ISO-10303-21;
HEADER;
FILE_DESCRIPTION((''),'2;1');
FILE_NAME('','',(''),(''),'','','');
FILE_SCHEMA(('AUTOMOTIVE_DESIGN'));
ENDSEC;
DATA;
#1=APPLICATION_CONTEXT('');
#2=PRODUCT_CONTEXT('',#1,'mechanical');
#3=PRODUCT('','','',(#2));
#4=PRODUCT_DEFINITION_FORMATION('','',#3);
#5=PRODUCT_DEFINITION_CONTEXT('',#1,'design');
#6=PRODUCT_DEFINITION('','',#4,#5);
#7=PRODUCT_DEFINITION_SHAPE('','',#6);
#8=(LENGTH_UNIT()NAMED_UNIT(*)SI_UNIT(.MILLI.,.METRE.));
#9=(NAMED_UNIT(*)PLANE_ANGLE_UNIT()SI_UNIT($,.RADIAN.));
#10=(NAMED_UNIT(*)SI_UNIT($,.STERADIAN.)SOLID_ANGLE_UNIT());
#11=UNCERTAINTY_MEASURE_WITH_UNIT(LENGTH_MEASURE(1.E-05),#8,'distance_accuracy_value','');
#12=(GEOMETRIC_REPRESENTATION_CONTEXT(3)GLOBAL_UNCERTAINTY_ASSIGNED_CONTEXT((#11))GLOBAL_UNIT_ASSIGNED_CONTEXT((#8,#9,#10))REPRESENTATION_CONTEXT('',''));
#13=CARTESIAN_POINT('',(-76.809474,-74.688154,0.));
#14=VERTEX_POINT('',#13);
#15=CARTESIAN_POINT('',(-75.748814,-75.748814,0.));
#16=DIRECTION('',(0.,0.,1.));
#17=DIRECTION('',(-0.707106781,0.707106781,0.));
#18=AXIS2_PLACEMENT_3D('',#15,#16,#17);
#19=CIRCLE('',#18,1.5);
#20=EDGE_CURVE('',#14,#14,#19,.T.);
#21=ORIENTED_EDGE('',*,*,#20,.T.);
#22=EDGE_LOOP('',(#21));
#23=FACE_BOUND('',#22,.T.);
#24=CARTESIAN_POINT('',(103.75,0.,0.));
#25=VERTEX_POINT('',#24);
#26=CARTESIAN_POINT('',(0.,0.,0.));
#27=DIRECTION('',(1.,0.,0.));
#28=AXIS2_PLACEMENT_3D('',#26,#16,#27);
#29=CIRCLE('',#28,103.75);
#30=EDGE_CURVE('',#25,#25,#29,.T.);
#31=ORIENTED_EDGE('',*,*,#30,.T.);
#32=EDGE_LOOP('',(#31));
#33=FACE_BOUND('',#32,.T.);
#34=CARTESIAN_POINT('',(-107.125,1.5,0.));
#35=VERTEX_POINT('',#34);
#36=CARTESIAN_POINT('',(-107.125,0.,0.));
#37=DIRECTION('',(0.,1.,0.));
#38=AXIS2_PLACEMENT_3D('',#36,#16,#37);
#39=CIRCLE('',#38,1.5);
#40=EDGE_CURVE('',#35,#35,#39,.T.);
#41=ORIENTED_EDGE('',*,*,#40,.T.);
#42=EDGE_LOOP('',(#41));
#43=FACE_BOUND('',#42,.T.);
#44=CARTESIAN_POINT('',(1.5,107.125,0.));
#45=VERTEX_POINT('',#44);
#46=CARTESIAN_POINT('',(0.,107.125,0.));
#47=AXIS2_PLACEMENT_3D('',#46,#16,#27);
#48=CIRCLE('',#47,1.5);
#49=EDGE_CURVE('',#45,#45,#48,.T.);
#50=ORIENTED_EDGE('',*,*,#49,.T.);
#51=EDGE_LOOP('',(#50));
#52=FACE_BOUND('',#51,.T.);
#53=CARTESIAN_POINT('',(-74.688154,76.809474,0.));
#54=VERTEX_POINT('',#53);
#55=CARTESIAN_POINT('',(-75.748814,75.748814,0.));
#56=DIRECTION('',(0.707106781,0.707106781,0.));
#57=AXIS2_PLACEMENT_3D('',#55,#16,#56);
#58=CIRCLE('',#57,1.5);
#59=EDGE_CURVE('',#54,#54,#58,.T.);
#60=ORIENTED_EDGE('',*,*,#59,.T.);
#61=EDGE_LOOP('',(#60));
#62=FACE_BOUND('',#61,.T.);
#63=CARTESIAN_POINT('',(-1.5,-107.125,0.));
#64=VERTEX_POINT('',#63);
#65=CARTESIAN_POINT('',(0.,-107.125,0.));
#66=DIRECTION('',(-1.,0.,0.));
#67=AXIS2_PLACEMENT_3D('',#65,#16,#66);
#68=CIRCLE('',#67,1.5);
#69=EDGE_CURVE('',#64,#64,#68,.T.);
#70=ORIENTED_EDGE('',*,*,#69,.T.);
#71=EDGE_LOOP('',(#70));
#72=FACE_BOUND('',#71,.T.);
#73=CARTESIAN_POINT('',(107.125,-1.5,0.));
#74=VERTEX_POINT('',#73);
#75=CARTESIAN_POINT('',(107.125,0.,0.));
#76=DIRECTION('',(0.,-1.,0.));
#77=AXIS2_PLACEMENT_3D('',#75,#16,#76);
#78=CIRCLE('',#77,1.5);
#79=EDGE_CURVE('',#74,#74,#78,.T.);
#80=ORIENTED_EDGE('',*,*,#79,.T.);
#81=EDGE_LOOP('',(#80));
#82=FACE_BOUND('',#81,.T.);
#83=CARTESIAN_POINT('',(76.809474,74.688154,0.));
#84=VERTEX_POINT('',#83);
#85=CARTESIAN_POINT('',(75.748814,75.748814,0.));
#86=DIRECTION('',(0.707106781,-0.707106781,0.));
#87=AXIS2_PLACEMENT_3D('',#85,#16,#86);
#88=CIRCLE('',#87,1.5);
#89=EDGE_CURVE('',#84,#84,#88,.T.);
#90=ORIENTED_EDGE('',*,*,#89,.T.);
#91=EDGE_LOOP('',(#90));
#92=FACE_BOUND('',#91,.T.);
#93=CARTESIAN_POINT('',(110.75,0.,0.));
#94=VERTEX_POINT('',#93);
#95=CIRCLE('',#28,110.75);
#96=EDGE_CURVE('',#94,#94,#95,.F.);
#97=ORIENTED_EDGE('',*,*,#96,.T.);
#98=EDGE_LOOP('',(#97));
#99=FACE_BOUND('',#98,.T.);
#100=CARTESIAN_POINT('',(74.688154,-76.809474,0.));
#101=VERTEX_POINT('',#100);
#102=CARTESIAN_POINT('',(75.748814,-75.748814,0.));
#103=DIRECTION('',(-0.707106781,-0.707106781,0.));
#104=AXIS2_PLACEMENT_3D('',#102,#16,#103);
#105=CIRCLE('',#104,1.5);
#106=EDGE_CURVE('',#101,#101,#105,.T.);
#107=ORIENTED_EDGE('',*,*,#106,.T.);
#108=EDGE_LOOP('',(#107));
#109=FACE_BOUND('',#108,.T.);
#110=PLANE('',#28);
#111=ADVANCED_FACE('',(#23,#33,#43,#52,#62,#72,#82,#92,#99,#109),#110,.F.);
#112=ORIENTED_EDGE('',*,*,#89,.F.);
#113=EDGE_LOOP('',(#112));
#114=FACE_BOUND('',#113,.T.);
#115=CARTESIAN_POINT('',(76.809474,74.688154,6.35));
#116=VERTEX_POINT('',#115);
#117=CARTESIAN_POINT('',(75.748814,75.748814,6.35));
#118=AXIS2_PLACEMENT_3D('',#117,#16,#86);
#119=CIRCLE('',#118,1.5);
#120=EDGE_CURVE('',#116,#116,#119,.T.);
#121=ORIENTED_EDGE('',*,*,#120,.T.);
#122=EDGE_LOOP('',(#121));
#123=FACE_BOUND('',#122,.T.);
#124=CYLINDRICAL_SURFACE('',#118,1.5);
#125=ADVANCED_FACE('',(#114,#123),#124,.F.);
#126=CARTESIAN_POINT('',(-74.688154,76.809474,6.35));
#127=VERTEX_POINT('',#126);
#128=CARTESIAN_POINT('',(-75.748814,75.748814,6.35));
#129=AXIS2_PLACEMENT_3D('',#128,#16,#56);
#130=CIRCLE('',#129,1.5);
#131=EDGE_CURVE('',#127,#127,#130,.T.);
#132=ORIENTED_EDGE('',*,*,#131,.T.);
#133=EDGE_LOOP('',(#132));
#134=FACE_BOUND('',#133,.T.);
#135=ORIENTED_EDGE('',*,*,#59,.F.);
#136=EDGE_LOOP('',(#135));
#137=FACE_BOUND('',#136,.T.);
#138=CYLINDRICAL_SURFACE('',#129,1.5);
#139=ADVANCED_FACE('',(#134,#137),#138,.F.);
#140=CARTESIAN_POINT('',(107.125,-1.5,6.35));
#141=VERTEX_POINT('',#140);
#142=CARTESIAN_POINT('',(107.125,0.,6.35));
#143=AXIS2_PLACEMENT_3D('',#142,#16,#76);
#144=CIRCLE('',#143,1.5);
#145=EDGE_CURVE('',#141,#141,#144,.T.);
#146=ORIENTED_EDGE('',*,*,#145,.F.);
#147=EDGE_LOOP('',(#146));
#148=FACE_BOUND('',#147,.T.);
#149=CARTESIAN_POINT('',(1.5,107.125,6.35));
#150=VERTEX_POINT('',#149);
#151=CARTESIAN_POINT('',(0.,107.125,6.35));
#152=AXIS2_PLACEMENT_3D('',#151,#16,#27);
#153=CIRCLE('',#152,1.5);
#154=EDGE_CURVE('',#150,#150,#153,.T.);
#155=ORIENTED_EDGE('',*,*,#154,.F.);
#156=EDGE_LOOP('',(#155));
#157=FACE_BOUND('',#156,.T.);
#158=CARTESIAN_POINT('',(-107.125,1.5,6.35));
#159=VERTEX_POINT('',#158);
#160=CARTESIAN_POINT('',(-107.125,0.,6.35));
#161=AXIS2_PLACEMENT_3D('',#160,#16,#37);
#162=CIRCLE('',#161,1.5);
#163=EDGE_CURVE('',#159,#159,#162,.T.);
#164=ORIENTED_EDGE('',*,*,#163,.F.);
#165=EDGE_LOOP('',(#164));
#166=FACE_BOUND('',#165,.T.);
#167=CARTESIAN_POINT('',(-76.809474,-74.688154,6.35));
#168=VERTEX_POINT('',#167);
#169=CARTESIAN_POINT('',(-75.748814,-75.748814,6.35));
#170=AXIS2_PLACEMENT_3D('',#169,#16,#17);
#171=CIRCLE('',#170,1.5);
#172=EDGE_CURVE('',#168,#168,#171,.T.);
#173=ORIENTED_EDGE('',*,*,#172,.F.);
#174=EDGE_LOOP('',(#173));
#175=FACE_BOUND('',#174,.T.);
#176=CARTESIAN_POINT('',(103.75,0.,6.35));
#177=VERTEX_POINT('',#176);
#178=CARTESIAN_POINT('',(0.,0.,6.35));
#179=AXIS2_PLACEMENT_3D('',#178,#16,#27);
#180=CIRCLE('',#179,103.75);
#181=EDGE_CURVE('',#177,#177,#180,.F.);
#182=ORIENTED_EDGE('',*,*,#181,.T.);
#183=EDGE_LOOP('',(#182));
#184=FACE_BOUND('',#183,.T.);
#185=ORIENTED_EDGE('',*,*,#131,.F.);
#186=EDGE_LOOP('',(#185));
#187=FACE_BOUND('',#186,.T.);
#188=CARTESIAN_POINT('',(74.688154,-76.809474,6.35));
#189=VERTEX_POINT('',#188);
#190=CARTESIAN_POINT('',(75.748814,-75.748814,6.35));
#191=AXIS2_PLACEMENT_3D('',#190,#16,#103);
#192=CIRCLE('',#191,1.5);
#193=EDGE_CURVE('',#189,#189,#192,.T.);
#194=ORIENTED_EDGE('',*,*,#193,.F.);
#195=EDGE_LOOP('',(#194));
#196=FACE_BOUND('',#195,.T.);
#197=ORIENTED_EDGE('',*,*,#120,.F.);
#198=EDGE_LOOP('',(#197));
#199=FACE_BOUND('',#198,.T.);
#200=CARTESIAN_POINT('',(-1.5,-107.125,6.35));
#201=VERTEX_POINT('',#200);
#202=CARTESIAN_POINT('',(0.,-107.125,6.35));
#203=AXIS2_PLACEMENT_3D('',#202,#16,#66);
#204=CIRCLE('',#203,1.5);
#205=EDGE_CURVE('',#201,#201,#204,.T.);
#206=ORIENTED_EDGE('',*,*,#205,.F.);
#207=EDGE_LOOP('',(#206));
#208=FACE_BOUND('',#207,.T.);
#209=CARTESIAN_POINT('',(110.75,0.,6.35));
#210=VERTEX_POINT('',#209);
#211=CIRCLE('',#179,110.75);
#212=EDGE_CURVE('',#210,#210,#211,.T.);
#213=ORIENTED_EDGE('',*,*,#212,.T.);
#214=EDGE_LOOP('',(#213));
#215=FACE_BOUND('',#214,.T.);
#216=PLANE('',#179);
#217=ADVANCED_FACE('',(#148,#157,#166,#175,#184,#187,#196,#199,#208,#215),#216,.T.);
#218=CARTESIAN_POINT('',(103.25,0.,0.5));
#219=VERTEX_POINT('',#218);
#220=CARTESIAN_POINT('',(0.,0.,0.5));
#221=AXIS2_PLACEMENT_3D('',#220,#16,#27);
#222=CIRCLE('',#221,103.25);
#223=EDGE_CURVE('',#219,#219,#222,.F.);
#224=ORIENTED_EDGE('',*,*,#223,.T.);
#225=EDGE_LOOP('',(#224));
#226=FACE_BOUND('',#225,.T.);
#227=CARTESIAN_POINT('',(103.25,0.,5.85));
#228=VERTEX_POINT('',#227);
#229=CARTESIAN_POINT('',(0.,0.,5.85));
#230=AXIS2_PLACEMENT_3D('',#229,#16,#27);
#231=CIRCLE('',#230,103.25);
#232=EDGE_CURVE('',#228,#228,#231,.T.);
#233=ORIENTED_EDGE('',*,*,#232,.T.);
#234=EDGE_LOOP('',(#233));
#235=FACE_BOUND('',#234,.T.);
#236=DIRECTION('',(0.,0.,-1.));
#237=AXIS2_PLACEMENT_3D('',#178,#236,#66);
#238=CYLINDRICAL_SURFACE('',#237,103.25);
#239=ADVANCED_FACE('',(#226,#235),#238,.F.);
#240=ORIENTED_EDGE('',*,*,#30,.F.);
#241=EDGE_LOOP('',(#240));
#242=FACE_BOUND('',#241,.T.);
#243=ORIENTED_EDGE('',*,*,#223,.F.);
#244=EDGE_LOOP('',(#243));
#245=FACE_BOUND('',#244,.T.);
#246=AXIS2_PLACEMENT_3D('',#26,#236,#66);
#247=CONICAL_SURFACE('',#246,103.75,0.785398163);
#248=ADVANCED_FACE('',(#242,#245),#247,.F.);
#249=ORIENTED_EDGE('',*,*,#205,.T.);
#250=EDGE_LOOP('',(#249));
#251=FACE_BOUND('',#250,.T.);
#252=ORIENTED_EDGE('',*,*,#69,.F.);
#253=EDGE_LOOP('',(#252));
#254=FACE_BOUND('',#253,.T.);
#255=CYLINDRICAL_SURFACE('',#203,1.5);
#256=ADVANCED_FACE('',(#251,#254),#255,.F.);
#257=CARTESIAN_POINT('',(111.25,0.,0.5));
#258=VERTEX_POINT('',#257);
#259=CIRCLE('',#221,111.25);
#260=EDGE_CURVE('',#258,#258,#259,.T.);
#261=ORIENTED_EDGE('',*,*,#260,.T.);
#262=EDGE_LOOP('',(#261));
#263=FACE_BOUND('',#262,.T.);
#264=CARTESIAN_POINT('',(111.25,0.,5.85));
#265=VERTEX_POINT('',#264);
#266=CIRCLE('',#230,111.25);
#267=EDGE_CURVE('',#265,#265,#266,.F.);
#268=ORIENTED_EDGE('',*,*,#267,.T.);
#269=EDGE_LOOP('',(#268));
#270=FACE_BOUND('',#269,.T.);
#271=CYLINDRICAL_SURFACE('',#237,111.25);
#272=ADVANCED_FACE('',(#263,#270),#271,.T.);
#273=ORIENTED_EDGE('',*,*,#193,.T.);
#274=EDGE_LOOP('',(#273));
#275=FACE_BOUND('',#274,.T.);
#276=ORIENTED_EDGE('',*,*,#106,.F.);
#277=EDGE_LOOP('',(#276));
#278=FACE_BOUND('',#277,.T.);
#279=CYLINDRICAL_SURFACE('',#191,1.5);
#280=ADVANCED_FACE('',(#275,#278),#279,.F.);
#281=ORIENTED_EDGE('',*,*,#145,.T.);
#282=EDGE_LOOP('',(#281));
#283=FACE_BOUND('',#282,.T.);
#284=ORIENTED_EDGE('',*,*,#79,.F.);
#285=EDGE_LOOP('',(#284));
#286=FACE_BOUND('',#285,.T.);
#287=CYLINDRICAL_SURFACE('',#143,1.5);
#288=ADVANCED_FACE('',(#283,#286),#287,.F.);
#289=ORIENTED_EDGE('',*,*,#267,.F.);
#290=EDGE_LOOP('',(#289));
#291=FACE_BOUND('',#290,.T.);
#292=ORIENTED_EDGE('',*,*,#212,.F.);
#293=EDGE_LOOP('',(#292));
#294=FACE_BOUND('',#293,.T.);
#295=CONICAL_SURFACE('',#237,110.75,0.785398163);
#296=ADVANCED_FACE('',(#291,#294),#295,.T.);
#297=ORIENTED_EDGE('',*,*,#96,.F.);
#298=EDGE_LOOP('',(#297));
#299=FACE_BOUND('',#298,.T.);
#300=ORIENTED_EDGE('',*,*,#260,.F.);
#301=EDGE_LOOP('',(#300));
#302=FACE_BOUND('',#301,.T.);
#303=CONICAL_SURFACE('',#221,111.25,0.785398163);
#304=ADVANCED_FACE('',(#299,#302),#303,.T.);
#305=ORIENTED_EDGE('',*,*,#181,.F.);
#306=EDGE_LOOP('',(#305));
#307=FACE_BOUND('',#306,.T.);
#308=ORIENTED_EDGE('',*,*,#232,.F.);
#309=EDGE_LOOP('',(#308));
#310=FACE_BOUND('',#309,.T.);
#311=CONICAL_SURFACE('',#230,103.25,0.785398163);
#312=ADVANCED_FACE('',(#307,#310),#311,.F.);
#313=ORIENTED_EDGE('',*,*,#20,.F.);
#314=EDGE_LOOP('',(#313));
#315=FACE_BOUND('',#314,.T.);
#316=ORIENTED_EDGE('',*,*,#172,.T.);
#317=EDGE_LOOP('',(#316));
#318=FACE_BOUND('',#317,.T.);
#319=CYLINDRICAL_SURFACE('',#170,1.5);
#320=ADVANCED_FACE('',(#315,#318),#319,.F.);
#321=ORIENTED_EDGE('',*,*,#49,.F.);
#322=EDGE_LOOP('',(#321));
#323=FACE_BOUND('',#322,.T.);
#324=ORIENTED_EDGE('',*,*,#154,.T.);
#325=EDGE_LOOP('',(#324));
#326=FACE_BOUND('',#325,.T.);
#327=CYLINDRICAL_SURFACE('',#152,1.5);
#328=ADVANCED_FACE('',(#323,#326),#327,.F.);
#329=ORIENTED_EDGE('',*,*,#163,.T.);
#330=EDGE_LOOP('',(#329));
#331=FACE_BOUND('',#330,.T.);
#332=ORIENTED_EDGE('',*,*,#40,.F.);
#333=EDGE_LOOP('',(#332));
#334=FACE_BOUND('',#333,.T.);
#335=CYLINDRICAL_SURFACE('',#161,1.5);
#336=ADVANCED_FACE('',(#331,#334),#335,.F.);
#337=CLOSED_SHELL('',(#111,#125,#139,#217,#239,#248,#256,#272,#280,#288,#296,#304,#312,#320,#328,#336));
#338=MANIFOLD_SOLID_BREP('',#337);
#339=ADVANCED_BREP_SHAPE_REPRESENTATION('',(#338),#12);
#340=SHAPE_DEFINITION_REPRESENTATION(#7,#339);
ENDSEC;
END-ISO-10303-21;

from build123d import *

# Parameters (mm, degrees)
SKETCH1_R             = 111.25
SKETCH1_R_2           = 103.25
EXTRUDE1_DEPTH        = 6.35
M3X0_5_TAPPED_HOLE1_D = 3
CIRPATTERN1_COUNT     = 8
CHAMFER1_SIZE         = 0.5


with BuildPart() as part:
    # Sketch1 → Extrude1 (new body)
    with BuildSketch(Plane.XY):
        Circle(SKETCH1_R)
        Circle(SKETCH1_R_2, mode=Mode.SUBTRACT)
    extrude(amount=EXTRUDE1_DEPTH)

    # M3x0.5 Tapped Hole1 (through all)
    with Locations(Plane.XY.offset(6.35)):
        with Locations((0, 107.125)):
            m3x0_5_tapped_hole1 = Hole(M3X0_5_TAPPED_HOLE1_D / 2)

    # CirPattern1: M3x0.5 Tapped Hole1 ×8 about axis
    cirpattern1_axis = Axis((0, 0, 0), (0, 0, 1))
    for i in range(1, CIRPATTERN1_COUNT):
        add(m3x0_5_tapped_hole1.rotate(cirpattern1_axis, i * 360 / CIRPATTERN1_COUNT), mode=Mode.SUBTRACT)

    # Chamfer1
    chamfer1_edges = [part.edges().sort_by_distance(p)[0] for p in [
        (-111.25, 0, 0),
        (-111.25, 0, 6.35),
        (-103.25, 0, 0),
        (-103.25, 0, 6.35),
    ]]
    chamfer(chamfer1_edges, length=CHAMFER1_SIZE)


solid = part.part
